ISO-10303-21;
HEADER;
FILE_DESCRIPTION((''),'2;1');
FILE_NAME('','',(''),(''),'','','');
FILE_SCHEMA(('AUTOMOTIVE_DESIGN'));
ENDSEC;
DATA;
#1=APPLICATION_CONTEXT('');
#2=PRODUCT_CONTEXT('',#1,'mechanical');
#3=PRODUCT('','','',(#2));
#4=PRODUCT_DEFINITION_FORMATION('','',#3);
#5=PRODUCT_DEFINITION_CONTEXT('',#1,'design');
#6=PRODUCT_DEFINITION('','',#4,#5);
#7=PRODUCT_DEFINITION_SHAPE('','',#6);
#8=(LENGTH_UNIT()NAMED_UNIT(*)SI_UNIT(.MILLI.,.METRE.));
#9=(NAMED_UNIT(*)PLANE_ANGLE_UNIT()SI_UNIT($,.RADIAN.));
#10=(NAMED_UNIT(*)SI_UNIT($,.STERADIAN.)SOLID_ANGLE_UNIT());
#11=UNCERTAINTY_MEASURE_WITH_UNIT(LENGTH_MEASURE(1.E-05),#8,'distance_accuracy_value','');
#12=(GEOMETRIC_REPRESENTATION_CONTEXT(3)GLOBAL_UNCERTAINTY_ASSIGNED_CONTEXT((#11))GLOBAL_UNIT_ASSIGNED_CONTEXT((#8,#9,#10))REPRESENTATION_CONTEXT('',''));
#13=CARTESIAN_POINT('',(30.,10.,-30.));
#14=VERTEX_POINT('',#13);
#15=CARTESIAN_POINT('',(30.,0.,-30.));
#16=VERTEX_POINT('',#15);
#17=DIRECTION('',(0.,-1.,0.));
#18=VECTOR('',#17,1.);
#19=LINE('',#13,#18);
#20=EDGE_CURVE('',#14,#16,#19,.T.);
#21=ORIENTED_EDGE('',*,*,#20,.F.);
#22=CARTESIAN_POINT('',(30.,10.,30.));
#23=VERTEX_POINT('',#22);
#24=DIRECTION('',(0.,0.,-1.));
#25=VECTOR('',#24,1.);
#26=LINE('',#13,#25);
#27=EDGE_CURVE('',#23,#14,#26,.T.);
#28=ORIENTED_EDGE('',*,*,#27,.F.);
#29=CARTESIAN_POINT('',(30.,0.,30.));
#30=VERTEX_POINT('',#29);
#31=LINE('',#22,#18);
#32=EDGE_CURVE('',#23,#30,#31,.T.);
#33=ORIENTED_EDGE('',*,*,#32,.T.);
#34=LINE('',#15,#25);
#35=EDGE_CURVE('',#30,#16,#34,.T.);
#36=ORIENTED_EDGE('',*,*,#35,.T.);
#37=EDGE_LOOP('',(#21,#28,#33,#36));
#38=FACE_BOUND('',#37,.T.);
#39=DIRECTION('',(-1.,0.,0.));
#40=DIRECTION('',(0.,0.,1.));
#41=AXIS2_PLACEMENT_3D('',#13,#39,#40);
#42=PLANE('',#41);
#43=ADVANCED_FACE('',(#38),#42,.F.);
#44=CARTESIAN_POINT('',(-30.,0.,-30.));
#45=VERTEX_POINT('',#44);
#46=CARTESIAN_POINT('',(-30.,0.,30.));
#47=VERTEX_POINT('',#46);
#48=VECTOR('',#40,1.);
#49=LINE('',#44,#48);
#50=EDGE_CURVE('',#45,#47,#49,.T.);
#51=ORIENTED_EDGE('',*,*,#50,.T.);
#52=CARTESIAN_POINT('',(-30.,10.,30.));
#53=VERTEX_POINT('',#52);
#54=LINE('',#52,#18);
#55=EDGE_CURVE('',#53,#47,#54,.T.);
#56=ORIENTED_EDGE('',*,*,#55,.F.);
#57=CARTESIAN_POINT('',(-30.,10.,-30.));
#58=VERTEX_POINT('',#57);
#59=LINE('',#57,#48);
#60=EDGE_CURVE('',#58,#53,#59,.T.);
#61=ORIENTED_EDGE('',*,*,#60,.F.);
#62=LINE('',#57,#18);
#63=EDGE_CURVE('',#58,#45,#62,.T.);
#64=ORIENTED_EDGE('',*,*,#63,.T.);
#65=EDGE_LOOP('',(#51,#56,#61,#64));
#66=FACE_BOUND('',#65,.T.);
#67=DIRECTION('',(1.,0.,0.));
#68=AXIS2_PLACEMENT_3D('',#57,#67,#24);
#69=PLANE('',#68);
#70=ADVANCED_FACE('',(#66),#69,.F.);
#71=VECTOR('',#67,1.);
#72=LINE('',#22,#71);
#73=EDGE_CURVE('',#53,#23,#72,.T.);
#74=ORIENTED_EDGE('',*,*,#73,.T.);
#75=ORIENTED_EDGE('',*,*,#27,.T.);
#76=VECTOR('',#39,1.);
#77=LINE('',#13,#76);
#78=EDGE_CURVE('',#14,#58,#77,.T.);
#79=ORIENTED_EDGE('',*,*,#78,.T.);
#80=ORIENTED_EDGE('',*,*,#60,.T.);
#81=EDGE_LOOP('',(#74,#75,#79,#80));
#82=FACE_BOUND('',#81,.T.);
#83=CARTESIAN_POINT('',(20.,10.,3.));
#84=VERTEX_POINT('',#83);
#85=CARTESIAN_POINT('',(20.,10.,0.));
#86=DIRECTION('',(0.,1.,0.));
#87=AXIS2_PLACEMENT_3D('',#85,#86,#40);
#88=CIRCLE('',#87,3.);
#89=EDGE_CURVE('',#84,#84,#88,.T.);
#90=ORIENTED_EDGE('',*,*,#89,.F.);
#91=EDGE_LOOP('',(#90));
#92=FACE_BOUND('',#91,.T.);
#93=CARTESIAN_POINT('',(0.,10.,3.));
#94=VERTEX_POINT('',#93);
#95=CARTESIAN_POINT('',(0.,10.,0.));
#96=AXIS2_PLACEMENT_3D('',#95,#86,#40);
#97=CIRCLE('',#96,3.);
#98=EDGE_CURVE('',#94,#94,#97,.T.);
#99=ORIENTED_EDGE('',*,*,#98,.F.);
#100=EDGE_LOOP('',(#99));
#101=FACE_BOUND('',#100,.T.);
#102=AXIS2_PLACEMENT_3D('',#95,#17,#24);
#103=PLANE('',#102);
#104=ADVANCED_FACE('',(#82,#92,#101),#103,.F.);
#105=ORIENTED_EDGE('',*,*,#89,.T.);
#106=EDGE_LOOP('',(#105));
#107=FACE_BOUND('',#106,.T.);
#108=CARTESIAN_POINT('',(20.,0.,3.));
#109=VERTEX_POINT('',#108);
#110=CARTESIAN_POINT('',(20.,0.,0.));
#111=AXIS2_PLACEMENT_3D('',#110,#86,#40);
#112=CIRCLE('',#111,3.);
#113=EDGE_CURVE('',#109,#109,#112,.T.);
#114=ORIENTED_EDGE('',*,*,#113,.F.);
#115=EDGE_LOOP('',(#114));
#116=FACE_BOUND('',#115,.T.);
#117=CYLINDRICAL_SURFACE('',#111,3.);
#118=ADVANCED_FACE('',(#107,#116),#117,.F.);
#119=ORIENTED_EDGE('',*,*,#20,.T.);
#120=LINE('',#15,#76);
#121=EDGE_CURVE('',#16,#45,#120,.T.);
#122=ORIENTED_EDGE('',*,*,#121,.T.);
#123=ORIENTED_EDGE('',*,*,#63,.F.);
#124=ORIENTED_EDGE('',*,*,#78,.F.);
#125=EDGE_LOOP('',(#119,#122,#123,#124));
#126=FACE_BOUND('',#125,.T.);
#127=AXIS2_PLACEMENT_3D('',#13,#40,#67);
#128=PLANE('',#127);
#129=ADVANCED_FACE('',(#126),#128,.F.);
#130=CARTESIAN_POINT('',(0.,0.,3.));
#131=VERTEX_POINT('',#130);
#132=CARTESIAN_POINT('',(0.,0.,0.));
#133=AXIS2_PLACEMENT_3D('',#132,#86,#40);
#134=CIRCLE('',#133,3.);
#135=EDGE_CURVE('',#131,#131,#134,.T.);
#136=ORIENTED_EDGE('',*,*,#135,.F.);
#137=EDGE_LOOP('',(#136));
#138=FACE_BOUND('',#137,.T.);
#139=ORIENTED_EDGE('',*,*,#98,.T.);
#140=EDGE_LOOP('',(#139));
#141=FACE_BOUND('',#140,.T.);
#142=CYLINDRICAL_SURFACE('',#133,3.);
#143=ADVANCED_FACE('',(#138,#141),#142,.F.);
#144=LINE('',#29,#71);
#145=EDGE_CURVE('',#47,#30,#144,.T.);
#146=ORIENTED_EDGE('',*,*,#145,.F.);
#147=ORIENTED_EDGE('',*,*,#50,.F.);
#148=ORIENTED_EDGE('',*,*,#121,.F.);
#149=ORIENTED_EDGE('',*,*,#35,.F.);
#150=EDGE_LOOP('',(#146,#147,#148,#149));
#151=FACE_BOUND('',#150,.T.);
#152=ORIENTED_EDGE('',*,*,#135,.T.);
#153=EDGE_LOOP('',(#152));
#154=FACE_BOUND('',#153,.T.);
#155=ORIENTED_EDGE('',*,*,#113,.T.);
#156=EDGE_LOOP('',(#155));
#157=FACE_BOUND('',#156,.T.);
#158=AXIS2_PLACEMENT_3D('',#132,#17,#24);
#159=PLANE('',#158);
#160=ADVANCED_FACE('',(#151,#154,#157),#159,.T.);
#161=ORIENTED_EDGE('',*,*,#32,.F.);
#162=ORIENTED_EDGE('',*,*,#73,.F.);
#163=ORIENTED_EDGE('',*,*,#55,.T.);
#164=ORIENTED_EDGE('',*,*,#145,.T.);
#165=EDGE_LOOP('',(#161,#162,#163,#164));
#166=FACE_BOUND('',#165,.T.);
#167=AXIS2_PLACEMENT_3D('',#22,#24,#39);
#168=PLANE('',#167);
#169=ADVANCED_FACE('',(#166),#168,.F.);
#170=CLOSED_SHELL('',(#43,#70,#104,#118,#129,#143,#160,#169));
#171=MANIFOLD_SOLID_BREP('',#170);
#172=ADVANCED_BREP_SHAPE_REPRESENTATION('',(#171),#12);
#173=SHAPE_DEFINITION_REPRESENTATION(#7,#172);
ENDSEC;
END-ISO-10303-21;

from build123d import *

# Parameters (mm, degrees)
SKETCH2_W           = 60
SKETCH2_H           = 60
BOSS_EXTRUDE1_DEPTH = 10
SKETCH3_R           = 3
CUT_EXTRUDE1_DEPTH  = 44.588989435


with BuildPart() as part:
    # Sketch2 → Boss-Extrude1 (new body)
    with BuildSketch(Plane(origin=(0, 0, 0), x_dir=(1, 0, 0), z_dir=(0, 1, 0))):
        Rectangle(SKETCH2_W, SKETCH2_H)
    extrude(amount=BOSS_EXTRUDE1_DEPTH)

    # Sketch3 → Cut-Extrude1 (cut, through all)
    with BuildSketch(Plane(origin=(0, 10, 0), x_dir=(1, 0, 0), z_dir=(0, 1, 0))):
        with Locations(Location((20, 0, 0), (0, 0, 270))):
            Circle(SKETCH3_R)
        with Locations(Location((0, 0, 0), (0, 0, 270))):
            Circle(SKETCH3_R)
    extrude(amount=-CUT_EXTRUDE1_DEPTH, mode=Mode.SUBTRACT)


solid = part.part
